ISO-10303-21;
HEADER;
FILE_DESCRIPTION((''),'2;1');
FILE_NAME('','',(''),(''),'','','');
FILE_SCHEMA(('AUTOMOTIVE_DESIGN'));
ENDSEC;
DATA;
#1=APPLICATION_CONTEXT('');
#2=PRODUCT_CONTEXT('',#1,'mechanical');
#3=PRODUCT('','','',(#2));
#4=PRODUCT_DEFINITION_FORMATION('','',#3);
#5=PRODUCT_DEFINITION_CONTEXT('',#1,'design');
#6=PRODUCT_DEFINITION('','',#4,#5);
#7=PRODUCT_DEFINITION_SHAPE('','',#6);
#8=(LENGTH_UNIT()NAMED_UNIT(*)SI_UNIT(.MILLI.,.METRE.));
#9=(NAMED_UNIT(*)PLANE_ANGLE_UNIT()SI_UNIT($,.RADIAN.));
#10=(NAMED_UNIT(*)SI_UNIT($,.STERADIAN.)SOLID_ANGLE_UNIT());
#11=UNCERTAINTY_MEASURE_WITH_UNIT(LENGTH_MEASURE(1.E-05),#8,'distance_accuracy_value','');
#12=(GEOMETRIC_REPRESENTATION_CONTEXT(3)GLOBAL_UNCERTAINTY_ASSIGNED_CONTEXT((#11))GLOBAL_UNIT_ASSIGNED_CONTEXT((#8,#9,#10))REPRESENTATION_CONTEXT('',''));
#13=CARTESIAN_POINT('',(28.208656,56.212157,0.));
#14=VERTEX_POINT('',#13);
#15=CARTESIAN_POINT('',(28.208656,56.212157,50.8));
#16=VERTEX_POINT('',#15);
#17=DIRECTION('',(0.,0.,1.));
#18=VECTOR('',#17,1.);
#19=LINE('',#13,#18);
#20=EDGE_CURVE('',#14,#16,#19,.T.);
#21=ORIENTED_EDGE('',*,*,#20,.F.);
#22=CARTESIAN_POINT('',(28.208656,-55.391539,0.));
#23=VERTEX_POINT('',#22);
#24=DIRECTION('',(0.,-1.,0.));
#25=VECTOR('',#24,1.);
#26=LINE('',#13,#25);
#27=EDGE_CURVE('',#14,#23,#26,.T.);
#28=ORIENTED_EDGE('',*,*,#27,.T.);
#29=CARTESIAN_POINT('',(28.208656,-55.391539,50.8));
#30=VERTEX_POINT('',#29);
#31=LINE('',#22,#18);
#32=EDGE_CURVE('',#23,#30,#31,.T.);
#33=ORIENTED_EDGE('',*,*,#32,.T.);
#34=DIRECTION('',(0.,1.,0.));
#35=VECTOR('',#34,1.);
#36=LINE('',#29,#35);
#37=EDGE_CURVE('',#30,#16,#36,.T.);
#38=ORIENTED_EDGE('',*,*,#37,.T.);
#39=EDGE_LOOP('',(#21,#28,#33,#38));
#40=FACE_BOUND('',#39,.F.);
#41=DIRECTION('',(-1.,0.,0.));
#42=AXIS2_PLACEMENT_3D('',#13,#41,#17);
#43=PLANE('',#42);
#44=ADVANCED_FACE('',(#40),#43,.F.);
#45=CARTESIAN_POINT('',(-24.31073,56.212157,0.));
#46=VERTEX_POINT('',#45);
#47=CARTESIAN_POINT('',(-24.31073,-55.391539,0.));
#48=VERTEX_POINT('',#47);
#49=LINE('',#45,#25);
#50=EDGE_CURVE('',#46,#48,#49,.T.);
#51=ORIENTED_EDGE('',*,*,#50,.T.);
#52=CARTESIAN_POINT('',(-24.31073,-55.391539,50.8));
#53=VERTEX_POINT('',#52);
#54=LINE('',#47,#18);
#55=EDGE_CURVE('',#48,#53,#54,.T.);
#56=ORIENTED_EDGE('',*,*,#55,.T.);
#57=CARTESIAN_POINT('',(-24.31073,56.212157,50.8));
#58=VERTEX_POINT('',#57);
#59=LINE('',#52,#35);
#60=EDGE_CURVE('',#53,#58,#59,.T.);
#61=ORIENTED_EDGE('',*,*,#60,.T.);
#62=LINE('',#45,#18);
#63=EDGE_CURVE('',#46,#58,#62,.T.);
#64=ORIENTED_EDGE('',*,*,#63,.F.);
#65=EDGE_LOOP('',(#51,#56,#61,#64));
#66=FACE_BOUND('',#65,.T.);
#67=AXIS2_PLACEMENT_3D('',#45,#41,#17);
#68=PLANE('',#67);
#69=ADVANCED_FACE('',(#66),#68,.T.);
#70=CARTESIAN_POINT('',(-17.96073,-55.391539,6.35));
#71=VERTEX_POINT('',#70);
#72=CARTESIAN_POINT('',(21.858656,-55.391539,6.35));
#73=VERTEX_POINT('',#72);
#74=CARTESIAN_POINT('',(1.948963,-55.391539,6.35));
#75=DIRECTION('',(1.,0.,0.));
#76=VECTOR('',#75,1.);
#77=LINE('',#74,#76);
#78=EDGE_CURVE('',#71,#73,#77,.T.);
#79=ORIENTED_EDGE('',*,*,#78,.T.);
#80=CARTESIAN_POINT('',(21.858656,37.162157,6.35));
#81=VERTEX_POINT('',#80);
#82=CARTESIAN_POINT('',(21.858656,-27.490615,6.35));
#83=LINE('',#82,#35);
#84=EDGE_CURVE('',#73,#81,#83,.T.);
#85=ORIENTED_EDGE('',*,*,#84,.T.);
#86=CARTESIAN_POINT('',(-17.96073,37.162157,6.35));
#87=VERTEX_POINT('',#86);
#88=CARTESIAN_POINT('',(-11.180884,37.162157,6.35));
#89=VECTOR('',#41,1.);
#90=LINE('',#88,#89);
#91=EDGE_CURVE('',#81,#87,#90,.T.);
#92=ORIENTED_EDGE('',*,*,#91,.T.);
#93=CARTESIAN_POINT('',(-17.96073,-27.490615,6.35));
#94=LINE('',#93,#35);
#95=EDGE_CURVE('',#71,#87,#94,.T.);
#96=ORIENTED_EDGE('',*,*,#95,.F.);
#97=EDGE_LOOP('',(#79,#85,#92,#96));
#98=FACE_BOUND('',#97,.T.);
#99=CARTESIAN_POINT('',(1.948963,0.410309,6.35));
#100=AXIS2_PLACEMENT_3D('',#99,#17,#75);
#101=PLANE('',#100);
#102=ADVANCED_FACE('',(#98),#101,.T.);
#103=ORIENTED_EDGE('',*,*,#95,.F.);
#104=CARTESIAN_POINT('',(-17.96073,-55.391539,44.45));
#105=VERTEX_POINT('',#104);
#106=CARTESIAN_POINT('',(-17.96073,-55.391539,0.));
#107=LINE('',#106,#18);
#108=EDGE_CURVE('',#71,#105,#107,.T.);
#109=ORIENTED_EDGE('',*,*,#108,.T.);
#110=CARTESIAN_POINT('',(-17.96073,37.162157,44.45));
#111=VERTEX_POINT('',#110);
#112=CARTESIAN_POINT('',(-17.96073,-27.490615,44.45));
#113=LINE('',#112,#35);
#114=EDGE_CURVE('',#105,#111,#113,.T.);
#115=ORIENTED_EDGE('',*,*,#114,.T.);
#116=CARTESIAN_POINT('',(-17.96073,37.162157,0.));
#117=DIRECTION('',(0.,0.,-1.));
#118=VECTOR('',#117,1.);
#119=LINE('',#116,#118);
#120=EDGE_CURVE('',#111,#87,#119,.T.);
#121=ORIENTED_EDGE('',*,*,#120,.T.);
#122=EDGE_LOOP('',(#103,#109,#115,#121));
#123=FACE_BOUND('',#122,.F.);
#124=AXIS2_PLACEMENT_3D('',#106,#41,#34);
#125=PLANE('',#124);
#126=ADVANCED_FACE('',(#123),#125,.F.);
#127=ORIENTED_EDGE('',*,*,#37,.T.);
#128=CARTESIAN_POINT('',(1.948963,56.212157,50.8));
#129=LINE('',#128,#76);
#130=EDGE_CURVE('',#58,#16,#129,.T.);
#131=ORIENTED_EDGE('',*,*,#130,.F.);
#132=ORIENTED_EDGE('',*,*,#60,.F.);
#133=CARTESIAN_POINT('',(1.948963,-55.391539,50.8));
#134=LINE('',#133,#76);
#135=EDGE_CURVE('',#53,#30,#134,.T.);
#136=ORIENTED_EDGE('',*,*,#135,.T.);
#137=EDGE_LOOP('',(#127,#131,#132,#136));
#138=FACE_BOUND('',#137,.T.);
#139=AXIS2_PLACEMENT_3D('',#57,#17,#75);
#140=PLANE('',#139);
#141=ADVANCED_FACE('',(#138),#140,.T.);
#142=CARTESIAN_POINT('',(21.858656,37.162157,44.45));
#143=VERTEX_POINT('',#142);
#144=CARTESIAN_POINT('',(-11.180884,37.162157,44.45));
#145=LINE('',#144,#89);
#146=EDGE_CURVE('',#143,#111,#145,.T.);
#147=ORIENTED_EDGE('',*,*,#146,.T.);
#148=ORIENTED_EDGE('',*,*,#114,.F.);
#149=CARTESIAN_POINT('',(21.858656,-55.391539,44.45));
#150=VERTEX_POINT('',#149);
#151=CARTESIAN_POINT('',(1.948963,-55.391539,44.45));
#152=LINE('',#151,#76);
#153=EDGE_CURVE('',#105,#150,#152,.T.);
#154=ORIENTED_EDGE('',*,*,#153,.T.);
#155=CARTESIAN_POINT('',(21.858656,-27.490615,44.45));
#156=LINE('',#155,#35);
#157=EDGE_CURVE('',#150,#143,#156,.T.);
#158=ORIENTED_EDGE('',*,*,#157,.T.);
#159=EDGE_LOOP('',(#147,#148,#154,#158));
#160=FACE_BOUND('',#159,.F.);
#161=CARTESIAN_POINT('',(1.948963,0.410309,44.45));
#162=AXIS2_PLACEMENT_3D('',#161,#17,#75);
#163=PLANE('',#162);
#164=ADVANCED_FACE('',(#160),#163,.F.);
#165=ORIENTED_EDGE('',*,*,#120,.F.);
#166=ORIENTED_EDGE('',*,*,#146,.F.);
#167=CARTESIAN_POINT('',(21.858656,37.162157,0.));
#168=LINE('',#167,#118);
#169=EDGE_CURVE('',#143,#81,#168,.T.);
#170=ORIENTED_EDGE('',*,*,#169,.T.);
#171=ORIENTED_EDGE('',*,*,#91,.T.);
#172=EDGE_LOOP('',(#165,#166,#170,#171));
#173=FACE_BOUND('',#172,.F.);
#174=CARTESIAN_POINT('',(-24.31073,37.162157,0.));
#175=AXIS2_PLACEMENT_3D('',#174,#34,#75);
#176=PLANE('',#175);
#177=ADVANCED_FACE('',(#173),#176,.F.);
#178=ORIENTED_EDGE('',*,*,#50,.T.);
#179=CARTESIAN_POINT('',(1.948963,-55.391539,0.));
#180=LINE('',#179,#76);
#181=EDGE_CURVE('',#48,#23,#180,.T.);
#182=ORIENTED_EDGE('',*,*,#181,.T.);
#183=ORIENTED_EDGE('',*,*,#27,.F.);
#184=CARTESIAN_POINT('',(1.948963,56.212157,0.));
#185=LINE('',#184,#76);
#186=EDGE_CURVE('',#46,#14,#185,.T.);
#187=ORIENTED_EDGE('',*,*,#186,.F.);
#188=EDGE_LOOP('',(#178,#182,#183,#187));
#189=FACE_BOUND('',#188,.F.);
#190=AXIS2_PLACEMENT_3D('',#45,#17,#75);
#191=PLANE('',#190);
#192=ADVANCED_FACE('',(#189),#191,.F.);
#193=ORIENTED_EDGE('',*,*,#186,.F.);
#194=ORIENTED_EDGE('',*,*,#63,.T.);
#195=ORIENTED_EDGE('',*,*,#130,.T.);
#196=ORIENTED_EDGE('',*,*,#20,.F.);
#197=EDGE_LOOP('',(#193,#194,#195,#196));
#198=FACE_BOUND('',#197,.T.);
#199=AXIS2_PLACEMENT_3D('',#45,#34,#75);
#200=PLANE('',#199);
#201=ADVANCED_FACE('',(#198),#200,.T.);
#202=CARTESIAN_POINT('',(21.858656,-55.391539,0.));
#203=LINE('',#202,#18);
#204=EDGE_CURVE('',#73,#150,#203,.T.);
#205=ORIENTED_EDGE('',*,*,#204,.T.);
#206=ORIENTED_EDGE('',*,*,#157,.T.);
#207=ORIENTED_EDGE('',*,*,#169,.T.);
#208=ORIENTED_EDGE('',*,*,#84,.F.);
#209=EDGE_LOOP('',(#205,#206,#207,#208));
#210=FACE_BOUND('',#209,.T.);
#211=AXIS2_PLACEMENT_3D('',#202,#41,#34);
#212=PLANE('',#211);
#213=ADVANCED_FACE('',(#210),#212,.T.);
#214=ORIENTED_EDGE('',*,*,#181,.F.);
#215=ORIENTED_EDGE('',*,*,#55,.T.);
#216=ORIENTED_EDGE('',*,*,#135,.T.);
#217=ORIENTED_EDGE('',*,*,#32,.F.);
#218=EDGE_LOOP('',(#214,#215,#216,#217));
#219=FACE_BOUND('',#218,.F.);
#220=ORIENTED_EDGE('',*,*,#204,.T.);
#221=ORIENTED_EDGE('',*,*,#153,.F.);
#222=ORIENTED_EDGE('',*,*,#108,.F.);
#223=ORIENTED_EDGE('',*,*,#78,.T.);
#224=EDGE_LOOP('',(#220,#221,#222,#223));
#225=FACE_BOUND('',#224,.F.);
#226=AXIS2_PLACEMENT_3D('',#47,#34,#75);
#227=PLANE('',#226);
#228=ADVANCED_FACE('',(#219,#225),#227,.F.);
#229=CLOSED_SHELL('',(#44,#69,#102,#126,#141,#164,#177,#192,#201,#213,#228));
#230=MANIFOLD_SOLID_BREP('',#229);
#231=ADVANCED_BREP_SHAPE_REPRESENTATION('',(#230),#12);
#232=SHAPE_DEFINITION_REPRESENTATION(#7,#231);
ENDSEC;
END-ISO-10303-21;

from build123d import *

# Parameters (mm, degrees)
F0_W     = 52.5193866342
F0_H     = 111.6036958992
F1_DEPTH = 50.8
F2_T     = -6.35
F3_DEPTH = 12.7


with BuildPart() as f1:
    # F0 (on Top) → F1 (new body)
    with BuildSketch(Plane.XY):
        with Locations((1.9489629194, 0.4103090614)):
            Rectangle(F0_W, F0_H)
    extrude(amount=F1_DEPTH)

    # F2
    f2_openings = [f1.faces().sort_by_distance(p)[0] for p in [
        (1.948963, -55.391539, 25.4),
    ]]
    offset(amount=F2_T, openings=f2_openings)

    # F3 (add): faces of the model
    f3_faces = [f1.faces().sort_by_distance(p)[0] for p in [
        (1.9489629194, 56.212157011, 25.4),
        (1.9489629194, 49.862157011, 25.4),
    ]]
    extrude(f3_faces, amount=-F3_DEPTH, dir=(0, 1, 0))


solid = f1.part
